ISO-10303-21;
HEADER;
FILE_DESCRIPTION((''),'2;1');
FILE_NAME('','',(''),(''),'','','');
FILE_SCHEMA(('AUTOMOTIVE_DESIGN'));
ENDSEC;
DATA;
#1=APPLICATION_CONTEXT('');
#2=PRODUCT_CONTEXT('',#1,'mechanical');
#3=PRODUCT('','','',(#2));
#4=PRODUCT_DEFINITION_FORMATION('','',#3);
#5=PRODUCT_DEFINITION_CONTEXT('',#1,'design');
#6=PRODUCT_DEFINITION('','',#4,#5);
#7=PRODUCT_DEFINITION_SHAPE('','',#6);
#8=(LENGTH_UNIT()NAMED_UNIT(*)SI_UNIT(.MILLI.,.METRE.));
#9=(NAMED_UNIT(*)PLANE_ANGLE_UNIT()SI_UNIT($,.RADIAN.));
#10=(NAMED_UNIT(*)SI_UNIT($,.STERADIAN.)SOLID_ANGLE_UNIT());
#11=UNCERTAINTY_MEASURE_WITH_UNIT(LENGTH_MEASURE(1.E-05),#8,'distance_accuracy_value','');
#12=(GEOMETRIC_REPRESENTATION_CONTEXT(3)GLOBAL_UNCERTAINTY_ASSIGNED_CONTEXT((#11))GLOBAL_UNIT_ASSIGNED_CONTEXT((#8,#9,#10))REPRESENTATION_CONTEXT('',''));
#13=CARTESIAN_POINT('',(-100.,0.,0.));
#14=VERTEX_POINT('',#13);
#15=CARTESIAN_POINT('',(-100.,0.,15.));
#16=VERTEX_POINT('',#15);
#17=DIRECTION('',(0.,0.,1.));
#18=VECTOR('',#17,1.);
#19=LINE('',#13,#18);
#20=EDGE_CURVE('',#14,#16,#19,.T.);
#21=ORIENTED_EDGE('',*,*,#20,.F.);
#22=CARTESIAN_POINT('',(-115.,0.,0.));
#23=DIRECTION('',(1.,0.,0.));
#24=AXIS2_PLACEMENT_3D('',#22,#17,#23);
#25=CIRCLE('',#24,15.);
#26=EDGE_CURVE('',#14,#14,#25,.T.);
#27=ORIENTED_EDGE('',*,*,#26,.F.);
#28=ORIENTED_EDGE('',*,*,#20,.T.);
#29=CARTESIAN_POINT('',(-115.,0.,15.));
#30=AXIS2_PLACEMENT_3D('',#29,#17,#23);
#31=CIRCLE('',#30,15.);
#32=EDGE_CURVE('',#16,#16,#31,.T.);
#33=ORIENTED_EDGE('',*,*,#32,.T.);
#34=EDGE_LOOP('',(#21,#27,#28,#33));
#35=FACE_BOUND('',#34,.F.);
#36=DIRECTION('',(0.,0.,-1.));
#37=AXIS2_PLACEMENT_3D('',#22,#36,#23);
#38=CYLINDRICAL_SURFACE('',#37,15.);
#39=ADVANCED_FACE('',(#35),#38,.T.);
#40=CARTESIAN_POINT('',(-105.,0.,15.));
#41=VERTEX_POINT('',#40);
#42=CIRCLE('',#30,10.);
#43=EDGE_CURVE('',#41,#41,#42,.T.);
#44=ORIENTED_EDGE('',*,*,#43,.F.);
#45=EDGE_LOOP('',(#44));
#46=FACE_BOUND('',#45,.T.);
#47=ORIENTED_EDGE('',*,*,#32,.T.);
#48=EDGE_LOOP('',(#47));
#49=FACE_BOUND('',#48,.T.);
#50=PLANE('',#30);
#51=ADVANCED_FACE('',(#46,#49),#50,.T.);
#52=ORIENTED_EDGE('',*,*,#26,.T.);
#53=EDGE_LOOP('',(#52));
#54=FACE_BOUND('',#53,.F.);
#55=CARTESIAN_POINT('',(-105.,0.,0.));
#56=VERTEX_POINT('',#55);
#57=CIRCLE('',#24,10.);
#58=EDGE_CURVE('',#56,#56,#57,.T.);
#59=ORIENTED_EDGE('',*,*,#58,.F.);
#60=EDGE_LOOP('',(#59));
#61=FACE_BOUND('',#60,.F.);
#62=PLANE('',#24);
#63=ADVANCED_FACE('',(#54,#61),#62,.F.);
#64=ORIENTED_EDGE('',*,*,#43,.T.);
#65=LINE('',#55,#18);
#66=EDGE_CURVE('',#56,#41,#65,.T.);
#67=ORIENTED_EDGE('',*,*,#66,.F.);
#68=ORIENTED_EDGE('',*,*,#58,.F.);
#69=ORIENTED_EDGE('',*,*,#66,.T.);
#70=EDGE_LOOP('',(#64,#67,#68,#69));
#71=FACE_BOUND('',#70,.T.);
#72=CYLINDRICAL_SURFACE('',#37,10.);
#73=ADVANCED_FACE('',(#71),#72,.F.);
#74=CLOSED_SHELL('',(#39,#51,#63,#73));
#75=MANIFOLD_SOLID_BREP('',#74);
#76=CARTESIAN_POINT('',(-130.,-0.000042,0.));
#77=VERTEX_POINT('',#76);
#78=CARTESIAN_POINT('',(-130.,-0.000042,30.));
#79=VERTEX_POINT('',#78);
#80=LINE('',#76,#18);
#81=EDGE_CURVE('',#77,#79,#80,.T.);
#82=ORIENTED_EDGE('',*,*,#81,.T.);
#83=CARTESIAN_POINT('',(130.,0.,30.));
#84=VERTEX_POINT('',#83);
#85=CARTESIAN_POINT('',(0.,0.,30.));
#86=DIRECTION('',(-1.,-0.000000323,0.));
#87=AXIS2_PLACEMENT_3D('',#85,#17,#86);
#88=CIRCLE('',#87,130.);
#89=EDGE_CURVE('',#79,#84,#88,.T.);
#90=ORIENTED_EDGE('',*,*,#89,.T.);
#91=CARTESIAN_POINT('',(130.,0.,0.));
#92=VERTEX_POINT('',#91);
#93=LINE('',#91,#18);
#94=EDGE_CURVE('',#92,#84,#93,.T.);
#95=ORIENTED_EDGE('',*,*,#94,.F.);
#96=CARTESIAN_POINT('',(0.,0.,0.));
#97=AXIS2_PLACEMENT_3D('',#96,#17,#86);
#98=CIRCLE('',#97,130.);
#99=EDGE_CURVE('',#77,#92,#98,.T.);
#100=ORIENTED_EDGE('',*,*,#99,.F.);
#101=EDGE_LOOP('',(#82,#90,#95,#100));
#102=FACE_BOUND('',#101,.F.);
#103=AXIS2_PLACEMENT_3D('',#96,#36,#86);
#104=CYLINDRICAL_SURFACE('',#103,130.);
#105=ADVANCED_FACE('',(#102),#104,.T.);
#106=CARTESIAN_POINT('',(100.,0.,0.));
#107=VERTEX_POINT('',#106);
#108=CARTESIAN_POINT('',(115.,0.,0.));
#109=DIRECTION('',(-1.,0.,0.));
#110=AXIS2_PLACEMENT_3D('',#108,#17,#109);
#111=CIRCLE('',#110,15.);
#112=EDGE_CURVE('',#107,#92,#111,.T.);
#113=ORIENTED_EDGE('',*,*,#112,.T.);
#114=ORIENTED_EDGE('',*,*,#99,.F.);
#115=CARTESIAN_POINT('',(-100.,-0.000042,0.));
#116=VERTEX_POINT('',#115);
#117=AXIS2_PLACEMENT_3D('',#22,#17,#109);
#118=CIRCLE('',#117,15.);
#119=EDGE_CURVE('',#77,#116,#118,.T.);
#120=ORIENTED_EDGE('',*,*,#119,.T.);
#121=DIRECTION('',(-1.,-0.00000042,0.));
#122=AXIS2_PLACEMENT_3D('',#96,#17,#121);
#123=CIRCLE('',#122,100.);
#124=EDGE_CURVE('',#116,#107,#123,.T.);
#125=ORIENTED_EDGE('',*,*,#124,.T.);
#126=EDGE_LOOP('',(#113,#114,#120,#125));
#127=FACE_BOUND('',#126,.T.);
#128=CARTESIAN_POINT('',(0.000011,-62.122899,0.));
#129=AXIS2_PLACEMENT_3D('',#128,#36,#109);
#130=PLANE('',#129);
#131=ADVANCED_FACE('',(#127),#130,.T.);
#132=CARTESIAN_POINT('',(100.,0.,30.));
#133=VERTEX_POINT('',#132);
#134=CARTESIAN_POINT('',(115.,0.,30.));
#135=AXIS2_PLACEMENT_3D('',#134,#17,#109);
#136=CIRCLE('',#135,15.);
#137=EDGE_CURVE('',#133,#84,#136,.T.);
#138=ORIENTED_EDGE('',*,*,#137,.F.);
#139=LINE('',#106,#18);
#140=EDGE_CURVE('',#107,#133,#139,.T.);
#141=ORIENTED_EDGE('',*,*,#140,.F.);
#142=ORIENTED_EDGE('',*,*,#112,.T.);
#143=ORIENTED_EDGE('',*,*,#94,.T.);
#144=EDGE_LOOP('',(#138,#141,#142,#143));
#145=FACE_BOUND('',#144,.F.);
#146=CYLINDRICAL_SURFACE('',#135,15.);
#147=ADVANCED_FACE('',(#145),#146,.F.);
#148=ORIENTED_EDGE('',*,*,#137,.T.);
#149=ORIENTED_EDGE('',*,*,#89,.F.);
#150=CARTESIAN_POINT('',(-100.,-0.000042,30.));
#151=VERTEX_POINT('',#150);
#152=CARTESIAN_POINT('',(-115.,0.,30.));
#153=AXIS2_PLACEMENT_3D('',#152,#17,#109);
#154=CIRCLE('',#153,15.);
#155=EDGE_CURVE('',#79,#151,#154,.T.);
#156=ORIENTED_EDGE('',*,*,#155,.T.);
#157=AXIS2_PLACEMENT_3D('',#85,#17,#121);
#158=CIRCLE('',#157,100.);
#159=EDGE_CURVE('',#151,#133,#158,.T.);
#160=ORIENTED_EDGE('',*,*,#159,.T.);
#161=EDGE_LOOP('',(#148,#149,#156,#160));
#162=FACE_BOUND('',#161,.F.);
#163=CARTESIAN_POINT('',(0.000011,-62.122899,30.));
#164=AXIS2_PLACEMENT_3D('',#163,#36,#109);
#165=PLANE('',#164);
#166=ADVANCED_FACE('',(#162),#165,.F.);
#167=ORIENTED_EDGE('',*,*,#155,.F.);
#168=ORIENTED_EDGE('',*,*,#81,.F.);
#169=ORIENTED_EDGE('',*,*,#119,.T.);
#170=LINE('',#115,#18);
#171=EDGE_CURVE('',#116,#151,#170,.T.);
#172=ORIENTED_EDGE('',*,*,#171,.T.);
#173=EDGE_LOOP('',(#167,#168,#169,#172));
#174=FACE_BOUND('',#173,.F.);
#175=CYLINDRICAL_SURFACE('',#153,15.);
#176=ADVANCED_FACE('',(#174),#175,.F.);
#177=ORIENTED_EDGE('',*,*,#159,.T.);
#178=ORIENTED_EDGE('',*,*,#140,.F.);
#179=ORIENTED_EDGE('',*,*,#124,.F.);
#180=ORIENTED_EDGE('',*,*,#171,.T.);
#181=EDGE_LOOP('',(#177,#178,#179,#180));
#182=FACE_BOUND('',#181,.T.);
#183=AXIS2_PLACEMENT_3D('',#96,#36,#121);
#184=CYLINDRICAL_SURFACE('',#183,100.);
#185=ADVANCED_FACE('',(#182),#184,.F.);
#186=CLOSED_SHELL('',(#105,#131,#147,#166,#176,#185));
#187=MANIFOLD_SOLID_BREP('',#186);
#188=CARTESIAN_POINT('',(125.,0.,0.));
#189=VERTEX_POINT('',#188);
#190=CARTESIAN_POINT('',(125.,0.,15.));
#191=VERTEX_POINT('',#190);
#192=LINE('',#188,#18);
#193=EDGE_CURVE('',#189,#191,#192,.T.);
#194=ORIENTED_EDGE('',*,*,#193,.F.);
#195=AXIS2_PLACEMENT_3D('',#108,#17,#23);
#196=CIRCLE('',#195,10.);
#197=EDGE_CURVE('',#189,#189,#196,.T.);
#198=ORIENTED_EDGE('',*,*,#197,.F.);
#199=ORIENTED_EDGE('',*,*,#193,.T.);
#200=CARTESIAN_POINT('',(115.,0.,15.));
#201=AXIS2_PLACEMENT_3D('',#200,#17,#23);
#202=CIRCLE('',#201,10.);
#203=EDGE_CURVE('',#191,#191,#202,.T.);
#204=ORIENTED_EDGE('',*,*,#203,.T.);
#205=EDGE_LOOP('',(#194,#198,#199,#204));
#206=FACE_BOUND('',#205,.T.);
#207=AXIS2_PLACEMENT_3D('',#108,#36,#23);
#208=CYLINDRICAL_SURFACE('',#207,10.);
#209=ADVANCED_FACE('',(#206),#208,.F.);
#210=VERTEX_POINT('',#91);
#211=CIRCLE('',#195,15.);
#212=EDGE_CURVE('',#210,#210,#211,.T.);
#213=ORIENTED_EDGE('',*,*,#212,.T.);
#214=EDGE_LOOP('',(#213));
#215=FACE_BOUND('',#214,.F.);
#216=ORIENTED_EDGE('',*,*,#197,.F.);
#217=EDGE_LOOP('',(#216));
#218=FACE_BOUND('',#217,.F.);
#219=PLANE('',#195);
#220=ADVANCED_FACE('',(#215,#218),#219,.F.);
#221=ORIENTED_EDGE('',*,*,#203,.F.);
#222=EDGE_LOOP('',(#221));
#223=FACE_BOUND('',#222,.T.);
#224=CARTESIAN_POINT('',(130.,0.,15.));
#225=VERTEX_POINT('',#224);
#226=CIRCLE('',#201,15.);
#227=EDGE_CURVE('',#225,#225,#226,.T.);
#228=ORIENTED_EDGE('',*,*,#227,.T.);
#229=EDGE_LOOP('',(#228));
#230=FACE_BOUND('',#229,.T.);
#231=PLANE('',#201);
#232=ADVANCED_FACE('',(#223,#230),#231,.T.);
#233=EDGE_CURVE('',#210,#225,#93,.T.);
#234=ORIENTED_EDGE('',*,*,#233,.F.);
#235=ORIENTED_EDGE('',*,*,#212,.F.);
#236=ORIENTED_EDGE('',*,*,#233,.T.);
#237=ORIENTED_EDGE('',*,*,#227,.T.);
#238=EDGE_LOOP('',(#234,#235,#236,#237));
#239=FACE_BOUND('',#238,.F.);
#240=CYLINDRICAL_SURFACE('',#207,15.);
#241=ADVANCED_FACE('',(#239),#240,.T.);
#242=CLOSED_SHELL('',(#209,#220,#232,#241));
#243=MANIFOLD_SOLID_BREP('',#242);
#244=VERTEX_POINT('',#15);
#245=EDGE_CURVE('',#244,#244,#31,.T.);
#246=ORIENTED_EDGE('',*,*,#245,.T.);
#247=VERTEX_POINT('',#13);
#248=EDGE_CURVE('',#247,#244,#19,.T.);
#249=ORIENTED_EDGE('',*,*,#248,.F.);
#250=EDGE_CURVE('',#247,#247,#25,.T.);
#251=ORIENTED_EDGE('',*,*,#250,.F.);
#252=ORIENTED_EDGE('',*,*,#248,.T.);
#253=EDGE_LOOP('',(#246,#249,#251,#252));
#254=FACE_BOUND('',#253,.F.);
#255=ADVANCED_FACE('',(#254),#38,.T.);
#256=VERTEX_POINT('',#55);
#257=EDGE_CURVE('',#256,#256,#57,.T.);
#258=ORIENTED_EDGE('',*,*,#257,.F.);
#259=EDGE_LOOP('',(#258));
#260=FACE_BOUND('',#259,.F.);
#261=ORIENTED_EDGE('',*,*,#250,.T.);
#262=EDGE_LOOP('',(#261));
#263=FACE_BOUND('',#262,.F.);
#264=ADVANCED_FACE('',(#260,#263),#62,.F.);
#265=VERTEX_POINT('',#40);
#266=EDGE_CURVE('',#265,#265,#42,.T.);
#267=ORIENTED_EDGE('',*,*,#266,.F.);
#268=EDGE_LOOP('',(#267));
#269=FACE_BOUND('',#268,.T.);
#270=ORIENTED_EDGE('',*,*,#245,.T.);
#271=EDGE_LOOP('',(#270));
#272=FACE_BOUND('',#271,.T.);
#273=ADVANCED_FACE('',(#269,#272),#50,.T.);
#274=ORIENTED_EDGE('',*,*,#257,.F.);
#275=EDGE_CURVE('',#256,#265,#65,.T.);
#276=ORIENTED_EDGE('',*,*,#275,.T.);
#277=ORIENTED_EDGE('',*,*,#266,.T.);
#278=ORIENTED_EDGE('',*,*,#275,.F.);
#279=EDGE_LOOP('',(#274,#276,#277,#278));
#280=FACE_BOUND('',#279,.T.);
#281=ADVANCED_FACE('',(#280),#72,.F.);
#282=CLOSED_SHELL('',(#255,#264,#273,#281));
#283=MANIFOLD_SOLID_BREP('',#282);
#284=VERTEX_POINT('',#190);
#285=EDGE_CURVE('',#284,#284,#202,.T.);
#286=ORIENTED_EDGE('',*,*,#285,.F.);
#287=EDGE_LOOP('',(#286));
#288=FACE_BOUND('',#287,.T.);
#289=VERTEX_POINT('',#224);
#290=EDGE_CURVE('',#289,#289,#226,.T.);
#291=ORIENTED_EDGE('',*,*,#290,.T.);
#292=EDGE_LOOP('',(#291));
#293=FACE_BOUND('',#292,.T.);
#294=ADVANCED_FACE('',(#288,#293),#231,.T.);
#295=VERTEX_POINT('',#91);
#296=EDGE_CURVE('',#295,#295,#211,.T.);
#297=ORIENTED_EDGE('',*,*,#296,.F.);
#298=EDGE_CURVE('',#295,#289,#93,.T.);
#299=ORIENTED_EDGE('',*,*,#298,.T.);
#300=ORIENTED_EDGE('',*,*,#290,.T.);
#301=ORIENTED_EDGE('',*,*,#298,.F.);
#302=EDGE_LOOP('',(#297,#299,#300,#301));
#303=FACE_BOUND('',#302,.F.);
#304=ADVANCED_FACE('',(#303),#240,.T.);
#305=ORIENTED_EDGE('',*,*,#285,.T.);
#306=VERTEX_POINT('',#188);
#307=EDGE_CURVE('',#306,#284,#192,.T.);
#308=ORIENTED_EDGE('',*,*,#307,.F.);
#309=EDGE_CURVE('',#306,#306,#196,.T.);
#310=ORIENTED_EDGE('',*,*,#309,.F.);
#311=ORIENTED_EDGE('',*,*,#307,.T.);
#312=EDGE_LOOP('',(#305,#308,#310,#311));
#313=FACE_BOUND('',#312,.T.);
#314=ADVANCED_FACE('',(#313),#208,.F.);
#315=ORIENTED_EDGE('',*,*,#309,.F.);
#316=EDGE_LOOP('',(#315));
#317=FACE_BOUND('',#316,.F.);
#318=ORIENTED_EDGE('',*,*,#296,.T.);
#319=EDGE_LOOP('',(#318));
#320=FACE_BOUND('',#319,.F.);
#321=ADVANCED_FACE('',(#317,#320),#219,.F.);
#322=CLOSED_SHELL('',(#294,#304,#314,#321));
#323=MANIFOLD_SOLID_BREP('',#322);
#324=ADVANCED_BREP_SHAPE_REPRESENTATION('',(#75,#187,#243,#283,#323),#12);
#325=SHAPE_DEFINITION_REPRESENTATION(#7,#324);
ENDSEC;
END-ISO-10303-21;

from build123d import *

# Parameters (mm, degrees)
SKETCH001_R   = 15
SKETCH001_R_2 = 10
PAD001_DEPTH  = 15
PAD_DEPTH     = 30
POCKET_DEPTH  = 30
SKETCH003_R   = 15
SKETCH003_R_2 = 10
PAD002_DEPTH  = 15


with BuildPart() as pad001:
    # Sketch001 → Pad001 (new body)
    with BuildSketch(Plane.XY):
        with Locations((-115, 0)):
            Circle(SKETCH001_R)
        with Locations((-115, 0)):
            Circle(SKETCH001_R_2, mode=Mode.SUBTRACT)
        with Locations((115, 0)):
            Circle(SKETCH001_R)
        with Locations((115, 0)):
            Circle(SKETCH001_R_2, mode=Mode.SUBTRACT)
    extrude(amount=PAD001_DEPTH)


with BuildPart() as pocket:
    # Sketch → Pad (new body)
    with BuildSketch(Plane.XY):
        with BuildLine():
            ThreePointArc((-100, -4.2e-05), (2.1e-05, -100), (100, 0))
            Line((100, 0), (130, 0))
            ThreePointArc((-130, -4.2e-05), (2.1e-05, -130), (130, 0))
            Line((-130, -4.2e-05), (-100, -4.2e-05))
        make_face()
    extrude(amount=PAD_DEPTH)

    # Sketch002 → Pocket (cut)
    with BuildSketch(Plane.XY.offset(30)):
        with BuildLine():
            ThreePointArc((-130, 0), (-115, -15), (-100, 0))
            Line((-100, 0), (-130, 0))
        make_face()
        with BuildLine():
            ThreePointArc((100, 0), (115, -15), (130, 0))
            Line((100, 0), (130, 0))
        make_face()
    extrude(amount=-POCKET_DEPTH, mode=Mode.SUBTRACT)


with BuildPart() as pad002:
    # Sketch003 → Pad002 (new body)
    with BuildSketch(Plane.XY):
        with Locations((-115, 0)):
            Circle(SKETCH003_R)
        with Locations((-115, 0)):
            Circle(SKETCH003_R_2, mode=Mode.SUBTRACT)
        with Locations((115, 0)):
            Circle(SKETCH003_R)
        with Locations((115, 0)):
            Circle(SKETCH003_R_2, mode=Mode.SUBTRACT)
    extrude(amount=PAD002_DEPTH)


solid = Compound([pad001.part, pocket.part, pad002.part])
